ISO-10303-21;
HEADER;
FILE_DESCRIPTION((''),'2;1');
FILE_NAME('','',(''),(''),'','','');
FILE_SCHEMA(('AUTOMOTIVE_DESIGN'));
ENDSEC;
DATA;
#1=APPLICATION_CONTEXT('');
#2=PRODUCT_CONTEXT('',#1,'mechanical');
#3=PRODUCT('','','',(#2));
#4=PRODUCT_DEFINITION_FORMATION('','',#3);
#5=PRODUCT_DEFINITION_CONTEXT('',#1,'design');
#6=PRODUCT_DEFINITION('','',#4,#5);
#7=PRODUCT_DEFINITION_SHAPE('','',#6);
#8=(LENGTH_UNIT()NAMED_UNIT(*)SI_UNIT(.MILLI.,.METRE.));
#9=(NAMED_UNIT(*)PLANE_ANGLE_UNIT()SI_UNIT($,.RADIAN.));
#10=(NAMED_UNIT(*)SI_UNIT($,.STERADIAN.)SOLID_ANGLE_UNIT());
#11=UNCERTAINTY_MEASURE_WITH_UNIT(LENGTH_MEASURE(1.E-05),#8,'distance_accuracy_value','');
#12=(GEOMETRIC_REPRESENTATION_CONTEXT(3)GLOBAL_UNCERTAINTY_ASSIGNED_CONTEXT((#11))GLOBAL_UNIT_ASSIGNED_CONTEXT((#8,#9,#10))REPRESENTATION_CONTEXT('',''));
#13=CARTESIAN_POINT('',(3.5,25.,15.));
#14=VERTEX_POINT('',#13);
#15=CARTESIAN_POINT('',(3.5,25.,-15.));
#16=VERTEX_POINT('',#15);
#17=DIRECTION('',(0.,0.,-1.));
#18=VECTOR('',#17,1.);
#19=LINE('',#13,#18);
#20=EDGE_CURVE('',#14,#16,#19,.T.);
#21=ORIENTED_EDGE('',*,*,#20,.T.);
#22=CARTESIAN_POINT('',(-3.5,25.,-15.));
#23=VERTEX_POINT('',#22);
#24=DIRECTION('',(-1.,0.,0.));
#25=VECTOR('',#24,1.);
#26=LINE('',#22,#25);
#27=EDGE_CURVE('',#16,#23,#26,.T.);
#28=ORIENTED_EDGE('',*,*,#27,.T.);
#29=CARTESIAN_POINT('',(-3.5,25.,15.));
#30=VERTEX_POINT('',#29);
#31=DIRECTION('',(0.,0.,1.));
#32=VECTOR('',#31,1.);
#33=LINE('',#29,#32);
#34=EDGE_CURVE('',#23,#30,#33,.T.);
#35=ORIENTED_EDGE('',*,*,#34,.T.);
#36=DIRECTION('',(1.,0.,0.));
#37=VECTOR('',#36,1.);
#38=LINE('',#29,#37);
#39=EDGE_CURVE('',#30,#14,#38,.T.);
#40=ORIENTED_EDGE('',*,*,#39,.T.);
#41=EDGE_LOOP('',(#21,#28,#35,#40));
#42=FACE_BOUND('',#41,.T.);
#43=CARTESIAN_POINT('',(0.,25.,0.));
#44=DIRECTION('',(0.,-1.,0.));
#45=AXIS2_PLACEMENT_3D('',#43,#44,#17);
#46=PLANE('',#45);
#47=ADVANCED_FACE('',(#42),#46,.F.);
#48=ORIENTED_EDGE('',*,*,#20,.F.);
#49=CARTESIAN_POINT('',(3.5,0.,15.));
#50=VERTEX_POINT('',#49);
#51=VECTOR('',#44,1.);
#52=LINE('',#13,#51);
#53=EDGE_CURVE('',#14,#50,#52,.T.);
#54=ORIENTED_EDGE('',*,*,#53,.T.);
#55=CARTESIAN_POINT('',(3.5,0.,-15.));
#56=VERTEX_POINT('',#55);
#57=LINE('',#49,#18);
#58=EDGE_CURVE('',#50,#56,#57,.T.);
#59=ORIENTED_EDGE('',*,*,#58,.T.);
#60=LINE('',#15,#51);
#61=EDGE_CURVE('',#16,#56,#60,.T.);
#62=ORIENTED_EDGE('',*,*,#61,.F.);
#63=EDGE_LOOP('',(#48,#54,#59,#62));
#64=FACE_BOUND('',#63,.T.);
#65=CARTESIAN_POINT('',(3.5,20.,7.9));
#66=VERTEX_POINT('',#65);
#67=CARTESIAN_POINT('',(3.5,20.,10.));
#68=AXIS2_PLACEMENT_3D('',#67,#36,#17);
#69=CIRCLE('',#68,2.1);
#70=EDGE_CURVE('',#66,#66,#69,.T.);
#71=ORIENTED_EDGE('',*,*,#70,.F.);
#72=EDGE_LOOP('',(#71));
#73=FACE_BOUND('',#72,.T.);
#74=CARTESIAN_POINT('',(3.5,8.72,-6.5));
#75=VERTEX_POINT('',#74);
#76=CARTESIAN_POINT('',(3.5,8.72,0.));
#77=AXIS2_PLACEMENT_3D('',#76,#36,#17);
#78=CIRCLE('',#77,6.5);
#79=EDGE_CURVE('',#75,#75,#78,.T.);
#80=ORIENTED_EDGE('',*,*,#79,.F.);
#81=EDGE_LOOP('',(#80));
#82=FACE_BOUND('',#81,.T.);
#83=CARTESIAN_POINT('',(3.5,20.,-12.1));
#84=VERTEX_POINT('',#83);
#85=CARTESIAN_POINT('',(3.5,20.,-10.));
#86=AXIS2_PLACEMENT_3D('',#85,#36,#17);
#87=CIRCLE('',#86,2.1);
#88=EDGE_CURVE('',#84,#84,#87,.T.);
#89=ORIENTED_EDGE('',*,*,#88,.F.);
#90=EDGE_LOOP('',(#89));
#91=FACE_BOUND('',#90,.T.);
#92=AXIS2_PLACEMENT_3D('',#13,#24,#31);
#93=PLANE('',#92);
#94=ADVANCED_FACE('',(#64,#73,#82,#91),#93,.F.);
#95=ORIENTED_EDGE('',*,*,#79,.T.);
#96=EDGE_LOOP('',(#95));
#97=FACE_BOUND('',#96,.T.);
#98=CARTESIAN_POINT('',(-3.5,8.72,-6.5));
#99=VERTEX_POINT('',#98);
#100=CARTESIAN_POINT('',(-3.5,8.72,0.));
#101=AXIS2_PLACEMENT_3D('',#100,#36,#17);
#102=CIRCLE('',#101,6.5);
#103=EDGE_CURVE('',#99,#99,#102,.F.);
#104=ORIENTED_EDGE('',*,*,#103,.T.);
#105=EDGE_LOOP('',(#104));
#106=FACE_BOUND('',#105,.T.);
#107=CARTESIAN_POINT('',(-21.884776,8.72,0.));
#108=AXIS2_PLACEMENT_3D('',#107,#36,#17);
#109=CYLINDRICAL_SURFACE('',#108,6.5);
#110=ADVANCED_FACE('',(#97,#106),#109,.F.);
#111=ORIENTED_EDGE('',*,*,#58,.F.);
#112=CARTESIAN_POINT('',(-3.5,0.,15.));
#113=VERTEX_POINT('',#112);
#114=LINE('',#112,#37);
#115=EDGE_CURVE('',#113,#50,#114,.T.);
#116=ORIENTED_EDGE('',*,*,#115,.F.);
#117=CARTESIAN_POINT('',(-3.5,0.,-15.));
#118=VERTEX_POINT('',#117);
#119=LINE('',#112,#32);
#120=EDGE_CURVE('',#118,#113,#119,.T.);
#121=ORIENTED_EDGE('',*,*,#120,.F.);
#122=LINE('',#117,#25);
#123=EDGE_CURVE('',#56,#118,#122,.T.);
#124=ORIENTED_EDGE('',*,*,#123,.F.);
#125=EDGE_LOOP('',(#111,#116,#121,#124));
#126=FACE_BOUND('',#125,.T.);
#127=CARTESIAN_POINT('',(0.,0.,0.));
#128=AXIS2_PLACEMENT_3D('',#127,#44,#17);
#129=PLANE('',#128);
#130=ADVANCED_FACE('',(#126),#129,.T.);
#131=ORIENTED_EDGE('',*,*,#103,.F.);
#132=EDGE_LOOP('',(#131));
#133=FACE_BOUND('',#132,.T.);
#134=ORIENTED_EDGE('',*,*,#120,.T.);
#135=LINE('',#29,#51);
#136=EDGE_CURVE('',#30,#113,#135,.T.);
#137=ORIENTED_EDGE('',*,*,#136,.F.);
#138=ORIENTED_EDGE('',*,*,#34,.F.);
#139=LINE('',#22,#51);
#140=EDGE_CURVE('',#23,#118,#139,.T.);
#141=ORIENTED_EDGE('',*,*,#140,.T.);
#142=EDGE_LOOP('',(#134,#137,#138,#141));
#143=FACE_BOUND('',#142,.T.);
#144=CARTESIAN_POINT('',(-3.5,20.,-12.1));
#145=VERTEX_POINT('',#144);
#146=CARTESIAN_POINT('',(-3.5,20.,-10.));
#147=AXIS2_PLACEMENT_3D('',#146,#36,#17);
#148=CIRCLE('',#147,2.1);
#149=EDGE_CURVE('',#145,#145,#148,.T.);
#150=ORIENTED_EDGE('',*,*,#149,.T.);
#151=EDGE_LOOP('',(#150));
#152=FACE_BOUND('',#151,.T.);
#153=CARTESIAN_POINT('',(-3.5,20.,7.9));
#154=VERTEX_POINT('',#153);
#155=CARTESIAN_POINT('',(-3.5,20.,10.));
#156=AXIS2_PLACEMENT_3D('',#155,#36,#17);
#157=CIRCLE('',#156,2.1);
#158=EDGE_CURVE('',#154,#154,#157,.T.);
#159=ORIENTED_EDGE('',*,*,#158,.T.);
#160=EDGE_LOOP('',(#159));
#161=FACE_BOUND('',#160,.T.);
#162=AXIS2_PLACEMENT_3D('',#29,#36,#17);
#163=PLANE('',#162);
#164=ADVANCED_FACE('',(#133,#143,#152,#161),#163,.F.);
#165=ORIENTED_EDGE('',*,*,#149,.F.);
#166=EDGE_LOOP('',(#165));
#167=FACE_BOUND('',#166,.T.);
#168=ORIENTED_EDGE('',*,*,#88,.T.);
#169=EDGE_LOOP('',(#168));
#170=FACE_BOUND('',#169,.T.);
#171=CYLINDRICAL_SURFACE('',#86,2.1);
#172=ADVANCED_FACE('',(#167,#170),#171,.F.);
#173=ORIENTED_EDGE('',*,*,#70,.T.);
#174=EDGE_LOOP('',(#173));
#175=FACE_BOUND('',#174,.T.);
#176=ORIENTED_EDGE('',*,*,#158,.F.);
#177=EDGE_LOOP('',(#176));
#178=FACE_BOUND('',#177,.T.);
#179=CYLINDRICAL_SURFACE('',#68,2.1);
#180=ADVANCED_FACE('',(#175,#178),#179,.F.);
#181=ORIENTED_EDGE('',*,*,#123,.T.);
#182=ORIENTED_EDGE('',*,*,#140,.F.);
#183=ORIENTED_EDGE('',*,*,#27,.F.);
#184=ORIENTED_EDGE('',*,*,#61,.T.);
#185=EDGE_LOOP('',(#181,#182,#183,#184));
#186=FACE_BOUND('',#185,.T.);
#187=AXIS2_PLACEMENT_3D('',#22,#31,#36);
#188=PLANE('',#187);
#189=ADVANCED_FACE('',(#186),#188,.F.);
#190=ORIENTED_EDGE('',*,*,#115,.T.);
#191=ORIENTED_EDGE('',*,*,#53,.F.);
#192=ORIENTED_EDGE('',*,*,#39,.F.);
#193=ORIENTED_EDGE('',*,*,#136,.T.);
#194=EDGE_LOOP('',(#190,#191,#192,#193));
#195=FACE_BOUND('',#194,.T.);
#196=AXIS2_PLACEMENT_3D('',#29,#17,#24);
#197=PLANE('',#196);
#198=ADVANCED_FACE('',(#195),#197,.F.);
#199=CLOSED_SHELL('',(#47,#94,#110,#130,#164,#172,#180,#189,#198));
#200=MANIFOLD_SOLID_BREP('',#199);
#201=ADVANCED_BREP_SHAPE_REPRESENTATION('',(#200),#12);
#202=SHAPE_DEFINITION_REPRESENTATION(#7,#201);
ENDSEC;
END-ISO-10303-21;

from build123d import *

# Parameters (mm, degrees)
SKETCH2_W             = 7
SKETCH2_H             = 30
BOSS_EXTRUDE1_DEPTH   = 25
SKETCH5_R             = 6.5
CUT_EXTRUDE1_DEPTH    = 7
M5X0_8_TAPPED_HOLE2_D = 4.2


with BuildPart() as part:
    # Sketch2 → Boss-Extrude1 (new body)
    with BuildSketch(Plane(origin=(0, 0, 0), x_dir=(1, 0, 0), z_dir=(0, 1, 0))):
        Rectangle(SKETCH2_W, SKETCH2_H)
    extrude(amount=BOSS_EXTRUDE1_DEPTH)

    # Sketch5 → Cut-Extrude1 (cut)
    with BuildSketch(Plane(origin=(3.5, 0, 0), x_dir=(0, 0, -1), z_dir=(1, 0, 0))):
        with Locations((0, 8.72)):
            Circle(SKETCH5_R)
    extrude(amount=-CUT_EXTRUDE1_DEPTH, mode=Mode.SUBTRACT)

    # M5x0.8 Tapped Hole2 (through all)
    with Locations(Plane(origin=(3.5, 0, 0), x_dir=(0, 0, -1), z_dir=(1, 0, 0))):
        with Locations((10, 20), (-10, 20)):
            Hole(M5X0_8_TAPPED_HOLE2_D / 2)


solid = part.part
